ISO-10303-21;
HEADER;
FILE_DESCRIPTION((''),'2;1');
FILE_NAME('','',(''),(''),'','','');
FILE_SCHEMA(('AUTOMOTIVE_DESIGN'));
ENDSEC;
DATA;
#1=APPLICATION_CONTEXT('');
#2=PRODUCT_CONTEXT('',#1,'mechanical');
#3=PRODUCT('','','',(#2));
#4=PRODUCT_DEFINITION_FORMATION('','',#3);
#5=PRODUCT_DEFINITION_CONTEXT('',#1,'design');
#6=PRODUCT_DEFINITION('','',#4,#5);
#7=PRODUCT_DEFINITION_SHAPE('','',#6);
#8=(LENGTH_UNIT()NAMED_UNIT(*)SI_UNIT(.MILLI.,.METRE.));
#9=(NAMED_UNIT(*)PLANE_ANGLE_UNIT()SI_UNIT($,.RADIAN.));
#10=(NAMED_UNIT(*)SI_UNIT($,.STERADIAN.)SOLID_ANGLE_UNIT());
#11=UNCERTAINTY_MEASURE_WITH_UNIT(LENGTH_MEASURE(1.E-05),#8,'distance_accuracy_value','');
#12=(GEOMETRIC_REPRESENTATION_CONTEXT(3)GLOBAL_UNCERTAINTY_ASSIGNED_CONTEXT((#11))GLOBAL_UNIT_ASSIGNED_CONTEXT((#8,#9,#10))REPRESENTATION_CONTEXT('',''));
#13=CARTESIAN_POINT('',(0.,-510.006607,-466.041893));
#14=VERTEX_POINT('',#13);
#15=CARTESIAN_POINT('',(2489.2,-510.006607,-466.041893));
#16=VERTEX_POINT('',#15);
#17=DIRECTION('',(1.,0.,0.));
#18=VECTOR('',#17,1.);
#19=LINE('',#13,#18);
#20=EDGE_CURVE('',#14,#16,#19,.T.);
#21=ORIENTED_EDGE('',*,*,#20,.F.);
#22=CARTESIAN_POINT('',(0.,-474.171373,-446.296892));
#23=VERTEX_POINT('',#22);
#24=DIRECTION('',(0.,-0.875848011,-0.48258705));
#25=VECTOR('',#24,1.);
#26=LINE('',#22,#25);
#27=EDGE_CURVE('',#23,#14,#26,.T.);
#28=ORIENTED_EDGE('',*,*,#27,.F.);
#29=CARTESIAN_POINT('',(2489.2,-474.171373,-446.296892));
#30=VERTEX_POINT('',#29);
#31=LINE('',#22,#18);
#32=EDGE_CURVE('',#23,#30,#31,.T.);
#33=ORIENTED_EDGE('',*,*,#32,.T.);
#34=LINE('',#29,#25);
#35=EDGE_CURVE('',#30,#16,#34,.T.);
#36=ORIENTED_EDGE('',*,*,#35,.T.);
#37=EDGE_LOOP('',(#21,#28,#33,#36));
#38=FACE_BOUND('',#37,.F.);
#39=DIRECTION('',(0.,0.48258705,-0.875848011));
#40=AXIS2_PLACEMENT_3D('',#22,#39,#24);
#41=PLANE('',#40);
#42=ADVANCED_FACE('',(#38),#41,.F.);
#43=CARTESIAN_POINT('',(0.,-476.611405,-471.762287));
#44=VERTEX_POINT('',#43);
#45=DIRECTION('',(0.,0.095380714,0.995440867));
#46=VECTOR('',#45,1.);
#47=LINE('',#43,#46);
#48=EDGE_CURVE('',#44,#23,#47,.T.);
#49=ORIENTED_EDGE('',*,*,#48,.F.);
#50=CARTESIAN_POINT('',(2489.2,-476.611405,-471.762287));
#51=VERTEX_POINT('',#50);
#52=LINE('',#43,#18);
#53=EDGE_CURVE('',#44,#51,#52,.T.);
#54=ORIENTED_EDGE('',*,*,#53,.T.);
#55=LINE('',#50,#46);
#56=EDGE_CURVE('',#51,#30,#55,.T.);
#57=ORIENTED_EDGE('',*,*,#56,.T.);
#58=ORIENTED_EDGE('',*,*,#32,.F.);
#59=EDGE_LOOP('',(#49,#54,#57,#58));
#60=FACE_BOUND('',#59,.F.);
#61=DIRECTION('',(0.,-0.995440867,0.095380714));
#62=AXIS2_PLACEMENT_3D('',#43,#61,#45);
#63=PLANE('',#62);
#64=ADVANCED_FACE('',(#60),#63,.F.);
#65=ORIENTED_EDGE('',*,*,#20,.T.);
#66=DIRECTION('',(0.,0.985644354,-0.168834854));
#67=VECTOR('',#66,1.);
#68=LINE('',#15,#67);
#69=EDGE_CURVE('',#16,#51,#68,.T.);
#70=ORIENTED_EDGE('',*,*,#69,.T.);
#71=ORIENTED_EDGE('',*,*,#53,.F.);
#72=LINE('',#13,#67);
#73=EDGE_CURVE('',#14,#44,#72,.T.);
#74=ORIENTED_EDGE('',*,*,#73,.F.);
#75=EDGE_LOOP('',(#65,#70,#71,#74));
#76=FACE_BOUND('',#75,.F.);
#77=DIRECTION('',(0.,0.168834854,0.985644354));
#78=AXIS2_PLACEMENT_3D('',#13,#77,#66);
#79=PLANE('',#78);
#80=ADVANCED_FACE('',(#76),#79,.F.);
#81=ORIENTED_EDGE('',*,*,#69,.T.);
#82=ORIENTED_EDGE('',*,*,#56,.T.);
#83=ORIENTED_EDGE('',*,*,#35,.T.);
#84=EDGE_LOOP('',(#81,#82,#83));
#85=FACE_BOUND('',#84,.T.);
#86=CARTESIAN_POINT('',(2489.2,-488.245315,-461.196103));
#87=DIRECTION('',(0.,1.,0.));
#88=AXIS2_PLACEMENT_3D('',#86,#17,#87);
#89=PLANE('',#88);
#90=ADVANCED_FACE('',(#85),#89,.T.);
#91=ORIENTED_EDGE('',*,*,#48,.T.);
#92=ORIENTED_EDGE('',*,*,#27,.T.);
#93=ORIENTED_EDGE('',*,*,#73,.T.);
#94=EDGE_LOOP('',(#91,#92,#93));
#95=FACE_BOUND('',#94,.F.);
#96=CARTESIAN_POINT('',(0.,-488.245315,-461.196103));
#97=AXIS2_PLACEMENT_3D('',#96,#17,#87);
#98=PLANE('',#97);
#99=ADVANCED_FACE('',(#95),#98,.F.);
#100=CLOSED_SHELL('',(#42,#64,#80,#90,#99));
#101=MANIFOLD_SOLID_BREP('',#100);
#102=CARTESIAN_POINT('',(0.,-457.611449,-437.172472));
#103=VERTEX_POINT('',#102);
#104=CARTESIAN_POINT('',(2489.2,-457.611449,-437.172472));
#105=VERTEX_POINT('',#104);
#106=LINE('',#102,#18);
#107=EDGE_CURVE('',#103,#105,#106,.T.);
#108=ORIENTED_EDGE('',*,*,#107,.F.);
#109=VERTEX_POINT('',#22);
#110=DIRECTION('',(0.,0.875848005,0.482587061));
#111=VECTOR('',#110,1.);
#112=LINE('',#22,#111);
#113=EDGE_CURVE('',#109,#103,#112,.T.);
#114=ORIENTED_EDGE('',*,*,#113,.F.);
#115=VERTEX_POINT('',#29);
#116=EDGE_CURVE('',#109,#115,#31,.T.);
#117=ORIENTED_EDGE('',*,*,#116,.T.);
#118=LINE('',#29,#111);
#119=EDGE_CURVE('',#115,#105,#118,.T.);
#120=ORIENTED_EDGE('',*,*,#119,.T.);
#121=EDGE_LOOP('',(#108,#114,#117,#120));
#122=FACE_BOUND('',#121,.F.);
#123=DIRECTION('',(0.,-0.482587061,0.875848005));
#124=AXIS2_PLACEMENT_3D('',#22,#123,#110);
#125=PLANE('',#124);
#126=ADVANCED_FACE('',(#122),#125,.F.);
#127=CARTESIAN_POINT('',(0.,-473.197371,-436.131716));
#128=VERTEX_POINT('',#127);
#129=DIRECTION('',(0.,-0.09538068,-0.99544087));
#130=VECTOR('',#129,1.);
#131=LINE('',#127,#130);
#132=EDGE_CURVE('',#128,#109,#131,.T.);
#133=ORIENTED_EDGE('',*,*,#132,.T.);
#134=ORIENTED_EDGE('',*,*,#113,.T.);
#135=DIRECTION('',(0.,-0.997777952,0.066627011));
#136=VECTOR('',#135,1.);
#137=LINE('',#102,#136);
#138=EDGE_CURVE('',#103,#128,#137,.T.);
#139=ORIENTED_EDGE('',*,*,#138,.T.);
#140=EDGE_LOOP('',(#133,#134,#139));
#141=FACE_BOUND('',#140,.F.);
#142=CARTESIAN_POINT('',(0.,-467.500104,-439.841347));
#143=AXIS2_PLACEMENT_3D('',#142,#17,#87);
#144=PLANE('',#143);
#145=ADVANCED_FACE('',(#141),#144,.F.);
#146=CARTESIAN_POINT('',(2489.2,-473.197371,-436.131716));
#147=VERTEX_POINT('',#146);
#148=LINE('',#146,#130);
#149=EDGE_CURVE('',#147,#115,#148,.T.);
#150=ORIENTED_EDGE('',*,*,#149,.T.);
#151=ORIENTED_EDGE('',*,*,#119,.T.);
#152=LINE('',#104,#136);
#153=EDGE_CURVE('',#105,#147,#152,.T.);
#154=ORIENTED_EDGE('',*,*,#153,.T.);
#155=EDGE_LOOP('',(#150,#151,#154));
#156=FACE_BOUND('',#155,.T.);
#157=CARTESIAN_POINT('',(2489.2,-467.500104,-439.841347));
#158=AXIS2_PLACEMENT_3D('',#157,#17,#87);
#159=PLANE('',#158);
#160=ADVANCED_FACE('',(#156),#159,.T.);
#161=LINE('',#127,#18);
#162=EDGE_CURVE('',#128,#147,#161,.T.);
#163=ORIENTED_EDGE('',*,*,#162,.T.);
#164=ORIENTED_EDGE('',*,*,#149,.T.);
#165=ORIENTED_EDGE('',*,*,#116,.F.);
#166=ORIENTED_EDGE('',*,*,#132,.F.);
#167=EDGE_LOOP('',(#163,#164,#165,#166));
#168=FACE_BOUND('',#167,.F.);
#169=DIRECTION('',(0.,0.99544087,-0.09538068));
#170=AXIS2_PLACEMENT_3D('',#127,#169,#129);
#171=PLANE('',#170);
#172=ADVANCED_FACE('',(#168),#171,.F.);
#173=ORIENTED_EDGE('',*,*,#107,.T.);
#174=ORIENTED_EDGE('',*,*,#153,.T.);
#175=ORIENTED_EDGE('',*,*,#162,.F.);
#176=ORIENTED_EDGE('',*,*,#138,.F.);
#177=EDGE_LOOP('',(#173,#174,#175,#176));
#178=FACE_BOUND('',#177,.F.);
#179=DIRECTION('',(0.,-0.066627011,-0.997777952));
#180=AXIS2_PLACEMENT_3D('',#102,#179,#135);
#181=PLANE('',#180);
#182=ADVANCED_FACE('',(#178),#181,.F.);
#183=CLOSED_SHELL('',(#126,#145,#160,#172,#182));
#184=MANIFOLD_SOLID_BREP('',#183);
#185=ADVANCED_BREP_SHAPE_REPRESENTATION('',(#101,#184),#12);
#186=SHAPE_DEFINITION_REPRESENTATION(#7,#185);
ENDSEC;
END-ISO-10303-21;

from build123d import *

# Parameters (mm, degrees)
F1_DEPTH = 2489.2


with BuildPart() as f1:
    # F0 (on Right) → F1 (new body)
    with BuildSketch(Plane.YZ):
        Polygon((-476.611405, -471.762287), (-474.171373, -446.296892), (-510.006607, -466.041893), align=None)
        Polygon((-457.611449, -437.172472), (-473.197371, -436.131716), (-474.171373, -446.296892), align=None)
    extrude(amount=F1_DEPTH)


solid = f1.part
